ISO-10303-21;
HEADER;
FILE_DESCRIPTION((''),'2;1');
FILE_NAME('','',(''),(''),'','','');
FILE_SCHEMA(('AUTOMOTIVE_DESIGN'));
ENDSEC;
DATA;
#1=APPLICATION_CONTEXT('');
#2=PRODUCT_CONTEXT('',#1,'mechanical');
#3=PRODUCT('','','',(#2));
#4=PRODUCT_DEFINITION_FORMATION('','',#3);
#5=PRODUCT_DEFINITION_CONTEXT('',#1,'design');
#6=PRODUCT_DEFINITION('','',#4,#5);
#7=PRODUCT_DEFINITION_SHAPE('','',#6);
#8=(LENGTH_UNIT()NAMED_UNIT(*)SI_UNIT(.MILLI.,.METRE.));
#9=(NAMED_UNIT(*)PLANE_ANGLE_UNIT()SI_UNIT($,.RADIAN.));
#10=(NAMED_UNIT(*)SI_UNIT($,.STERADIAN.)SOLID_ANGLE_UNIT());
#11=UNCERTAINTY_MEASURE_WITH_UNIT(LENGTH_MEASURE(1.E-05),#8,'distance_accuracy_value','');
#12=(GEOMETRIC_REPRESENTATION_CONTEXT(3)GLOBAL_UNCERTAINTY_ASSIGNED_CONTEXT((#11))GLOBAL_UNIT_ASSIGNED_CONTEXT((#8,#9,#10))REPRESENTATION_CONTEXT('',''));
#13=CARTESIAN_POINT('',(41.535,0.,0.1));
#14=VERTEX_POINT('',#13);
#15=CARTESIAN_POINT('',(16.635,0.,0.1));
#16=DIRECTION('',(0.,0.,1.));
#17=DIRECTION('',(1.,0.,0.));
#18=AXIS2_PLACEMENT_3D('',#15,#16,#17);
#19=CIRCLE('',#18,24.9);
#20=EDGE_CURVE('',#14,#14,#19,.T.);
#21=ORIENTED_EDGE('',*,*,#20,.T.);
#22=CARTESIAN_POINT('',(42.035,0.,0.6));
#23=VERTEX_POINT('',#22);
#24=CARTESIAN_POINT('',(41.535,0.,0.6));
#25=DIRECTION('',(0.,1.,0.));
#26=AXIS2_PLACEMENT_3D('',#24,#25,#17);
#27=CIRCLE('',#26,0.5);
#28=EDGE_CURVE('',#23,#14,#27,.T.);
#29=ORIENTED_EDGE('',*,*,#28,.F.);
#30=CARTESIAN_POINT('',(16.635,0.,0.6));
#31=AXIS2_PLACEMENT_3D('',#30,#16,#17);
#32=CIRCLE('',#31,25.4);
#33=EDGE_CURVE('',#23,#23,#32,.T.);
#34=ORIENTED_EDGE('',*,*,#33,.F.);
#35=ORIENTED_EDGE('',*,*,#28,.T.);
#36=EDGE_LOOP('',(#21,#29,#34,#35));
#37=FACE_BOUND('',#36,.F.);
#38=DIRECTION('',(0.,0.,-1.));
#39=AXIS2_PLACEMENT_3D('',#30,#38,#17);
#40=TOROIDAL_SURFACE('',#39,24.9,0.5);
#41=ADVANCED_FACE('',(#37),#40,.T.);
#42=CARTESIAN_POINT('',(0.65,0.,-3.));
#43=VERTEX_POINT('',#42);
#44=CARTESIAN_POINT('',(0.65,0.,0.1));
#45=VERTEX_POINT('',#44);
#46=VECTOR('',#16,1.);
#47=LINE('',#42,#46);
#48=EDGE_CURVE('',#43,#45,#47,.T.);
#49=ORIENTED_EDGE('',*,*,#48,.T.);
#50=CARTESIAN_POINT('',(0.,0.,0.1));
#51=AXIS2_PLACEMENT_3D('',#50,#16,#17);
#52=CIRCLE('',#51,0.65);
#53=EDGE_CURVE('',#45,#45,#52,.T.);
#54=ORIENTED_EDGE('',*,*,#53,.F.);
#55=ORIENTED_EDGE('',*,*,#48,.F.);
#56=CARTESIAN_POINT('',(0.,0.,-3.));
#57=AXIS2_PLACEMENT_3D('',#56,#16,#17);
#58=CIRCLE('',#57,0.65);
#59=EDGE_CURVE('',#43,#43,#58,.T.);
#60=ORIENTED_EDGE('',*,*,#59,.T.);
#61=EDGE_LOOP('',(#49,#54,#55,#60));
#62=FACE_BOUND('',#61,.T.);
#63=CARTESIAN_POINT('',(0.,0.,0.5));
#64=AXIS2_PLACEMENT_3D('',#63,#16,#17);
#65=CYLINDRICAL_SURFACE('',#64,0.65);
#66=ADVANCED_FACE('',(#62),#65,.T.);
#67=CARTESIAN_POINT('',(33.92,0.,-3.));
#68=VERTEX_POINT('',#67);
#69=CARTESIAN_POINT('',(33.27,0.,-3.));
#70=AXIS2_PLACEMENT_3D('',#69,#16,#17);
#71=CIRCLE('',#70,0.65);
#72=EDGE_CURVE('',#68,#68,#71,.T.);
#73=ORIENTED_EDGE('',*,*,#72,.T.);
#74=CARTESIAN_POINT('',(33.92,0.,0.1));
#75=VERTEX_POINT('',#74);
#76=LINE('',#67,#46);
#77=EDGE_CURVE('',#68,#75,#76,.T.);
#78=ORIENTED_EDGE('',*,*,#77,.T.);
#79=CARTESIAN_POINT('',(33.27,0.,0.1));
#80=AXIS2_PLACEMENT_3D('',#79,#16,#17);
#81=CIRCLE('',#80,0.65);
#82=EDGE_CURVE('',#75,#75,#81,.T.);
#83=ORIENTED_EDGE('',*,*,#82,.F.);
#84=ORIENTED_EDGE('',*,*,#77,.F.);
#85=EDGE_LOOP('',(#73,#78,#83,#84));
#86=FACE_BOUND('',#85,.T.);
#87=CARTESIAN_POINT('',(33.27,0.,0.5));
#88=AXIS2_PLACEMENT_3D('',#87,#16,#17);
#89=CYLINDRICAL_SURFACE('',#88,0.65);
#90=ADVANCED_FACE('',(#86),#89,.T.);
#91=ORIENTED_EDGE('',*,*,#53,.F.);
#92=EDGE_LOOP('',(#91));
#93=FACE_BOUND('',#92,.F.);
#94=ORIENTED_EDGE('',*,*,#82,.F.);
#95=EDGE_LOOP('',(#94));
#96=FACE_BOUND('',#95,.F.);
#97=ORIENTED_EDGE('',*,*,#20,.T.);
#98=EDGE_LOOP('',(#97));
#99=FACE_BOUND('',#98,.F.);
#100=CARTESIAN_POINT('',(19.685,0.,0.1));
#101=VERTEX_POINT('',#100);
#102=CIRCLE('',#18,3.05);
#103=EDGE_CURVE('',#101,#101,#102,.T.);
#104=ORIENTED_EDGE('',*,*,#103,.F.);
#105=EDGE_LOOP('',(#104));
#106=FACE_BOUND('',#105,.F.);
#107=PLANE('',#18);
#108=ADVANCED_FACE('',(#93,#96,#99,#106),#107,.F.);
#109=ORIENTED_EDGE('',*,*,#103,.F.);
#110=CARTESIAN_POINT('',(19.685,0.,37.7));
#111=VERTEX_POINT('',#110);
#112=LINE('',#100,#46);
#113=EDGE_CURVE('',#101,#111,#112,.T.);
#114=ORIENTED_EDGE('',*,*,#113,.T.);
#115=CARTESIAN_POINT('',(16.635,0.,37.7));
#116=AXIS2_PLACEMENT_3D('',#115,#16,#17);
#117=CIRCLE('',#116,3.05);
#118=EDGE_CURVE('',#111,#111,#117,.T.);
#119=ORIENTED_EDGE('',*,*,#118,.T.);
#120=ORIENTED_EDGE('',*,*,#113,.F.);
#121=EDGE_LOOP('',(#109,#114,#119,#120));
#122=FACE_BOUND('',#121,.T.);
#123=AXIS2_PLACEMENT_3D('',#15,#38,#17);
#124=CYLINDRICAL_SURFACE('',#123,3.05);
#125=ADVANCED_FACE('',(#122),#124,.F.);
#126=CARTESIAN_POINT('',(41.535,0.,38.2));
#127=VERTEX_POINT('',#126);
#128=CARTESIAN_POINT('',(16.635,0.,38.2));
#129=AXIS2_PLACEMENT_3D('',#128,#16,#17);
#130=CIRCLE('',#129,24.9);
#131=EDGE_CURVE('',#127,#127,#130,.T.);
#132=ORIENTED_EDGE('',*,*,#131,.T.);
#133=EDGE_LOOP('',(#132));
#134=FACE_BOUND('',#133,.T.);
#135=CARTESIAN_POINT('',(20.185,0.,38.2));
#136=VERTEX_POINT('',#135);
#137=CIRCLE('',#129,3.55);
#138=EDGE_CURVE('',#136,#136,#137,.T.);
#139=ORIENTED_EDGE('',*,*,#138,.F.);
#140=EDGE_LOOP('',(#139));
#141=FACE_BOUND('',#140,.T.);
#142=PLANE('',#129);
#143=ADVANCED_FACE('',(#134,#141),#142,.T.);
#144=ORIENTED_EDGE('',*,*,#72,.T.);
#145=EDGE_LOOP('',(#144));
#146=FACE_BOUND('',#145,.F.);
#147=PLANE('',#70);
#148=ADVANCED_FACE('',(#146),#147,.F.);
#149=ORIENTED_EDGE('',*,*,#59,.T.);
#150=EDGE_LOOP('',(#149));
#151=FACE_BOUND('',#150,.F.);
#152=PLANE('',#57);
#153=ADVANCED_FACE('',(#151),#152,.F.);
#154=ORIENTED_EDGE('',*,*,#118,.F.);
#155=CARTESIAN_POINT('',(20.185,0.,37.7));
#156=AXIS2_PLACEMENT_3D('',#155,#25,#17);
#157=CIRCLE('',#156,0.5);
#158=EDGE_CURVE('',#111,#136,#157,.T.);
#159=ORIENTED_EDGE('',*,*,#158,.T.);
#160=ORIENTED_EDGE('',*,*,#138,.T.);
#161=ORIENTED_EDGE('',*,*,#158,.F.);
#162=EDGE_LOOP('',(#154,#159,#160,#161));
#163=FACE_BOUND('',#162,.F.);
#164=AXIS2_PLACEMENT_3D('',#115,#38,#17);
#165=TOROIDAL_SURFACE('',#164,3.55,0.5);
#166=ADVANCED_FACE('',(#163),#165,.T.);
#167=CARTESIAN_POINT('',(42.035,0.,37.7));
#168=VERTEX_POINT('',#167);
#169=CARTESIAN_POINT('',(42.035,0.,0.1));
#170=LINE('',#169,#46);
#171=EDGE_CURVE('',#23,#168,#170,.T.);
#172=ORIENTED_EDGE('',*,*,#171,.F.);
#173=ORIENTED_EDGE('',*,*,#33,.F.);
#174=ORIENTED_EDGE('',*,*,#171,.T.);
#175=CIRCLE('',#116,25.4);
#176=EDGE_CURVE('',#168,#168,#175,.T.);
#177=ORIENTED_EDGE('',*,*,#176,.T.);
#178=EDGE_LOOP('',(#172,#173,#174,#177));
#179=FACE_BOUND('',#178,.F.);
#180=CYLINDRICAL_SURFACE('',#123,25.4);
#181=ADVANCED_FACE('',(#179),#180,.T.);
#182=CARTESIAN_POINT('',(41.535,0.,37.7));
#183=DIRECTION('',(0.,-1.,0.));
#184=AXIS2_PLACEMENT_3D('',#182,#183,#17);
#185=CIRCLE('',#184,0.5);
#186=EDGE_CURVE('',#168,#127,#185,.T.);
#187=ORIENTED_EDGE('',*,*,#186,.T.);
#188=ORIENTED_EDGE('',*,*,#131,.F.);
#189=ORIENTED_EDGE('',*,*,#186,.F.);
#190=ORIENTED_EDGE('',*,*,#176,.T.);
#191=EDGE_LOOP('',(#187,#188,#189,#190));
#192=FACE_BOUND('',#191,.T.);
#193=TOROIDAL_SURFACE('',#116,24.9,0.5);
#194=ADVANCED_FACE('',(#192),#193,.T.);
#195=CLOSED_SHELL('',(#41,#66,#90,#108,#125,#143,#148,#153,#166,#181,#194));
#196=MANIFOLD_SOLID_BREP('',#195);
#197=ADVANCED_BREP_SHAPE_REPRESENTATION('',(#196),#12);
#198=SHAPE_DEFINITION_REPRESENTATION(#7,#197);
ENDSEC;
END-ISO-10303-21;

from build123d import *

# Parameters (mm, degrees)
SKETCH001_R       = 0.65
PAD001_DEPTH      = 19.05
PAD001_DEPTH_BACK = 3.5
SKETCH_R          = 25.4
SKETCH_R_2        = 3.05
PAD_DEPTH         = 38.1
FILLET_R          = 0.5


with BuildPart() as pad001:
    # Sketch001 → Pad001 (new body, two sides)
    with BuildSketch(Plane.XY.offset(0.5)) as pad001_sk:
        Circle(SKETCH001_R)
        with Locations((33.27, 0)):
            Circle(SKETCH001_R)
    extrude(amount=PAD001_DEPTH)
    extrude(pad001_sk.sketch, amount=-PAD001_DEPTH_BACK)


with BuildPart() as fillet_mp_cp:
    # Sketch → Pad (new body)
    with BuildSketch(Plane.XY.offset(0.1)):
        with Locations((16.635, 0)):
            Circle(SKETCH_R)
        with Locations((16.635, 0)):
            Circle(SKETCH_R_2, mode=Mode.SUBTRACT)
    extrude(amount=PAD_DEPTH)

    # Fillet
    fillet_edges = [fillet_mp_cp.edges().sort_by_distance(p)[0] for p in [
        (13.585, 0, 38.2),
        (-8.765, 0, 38.2),
        (-8.765, 0, 0.1),
    ]]
    fillet(fillet_edges, radius=FILLET_R)

    # Fillet_mp_cp: union Pad001
    add(pad001.part)


solid = fillet_mp_cp.part
